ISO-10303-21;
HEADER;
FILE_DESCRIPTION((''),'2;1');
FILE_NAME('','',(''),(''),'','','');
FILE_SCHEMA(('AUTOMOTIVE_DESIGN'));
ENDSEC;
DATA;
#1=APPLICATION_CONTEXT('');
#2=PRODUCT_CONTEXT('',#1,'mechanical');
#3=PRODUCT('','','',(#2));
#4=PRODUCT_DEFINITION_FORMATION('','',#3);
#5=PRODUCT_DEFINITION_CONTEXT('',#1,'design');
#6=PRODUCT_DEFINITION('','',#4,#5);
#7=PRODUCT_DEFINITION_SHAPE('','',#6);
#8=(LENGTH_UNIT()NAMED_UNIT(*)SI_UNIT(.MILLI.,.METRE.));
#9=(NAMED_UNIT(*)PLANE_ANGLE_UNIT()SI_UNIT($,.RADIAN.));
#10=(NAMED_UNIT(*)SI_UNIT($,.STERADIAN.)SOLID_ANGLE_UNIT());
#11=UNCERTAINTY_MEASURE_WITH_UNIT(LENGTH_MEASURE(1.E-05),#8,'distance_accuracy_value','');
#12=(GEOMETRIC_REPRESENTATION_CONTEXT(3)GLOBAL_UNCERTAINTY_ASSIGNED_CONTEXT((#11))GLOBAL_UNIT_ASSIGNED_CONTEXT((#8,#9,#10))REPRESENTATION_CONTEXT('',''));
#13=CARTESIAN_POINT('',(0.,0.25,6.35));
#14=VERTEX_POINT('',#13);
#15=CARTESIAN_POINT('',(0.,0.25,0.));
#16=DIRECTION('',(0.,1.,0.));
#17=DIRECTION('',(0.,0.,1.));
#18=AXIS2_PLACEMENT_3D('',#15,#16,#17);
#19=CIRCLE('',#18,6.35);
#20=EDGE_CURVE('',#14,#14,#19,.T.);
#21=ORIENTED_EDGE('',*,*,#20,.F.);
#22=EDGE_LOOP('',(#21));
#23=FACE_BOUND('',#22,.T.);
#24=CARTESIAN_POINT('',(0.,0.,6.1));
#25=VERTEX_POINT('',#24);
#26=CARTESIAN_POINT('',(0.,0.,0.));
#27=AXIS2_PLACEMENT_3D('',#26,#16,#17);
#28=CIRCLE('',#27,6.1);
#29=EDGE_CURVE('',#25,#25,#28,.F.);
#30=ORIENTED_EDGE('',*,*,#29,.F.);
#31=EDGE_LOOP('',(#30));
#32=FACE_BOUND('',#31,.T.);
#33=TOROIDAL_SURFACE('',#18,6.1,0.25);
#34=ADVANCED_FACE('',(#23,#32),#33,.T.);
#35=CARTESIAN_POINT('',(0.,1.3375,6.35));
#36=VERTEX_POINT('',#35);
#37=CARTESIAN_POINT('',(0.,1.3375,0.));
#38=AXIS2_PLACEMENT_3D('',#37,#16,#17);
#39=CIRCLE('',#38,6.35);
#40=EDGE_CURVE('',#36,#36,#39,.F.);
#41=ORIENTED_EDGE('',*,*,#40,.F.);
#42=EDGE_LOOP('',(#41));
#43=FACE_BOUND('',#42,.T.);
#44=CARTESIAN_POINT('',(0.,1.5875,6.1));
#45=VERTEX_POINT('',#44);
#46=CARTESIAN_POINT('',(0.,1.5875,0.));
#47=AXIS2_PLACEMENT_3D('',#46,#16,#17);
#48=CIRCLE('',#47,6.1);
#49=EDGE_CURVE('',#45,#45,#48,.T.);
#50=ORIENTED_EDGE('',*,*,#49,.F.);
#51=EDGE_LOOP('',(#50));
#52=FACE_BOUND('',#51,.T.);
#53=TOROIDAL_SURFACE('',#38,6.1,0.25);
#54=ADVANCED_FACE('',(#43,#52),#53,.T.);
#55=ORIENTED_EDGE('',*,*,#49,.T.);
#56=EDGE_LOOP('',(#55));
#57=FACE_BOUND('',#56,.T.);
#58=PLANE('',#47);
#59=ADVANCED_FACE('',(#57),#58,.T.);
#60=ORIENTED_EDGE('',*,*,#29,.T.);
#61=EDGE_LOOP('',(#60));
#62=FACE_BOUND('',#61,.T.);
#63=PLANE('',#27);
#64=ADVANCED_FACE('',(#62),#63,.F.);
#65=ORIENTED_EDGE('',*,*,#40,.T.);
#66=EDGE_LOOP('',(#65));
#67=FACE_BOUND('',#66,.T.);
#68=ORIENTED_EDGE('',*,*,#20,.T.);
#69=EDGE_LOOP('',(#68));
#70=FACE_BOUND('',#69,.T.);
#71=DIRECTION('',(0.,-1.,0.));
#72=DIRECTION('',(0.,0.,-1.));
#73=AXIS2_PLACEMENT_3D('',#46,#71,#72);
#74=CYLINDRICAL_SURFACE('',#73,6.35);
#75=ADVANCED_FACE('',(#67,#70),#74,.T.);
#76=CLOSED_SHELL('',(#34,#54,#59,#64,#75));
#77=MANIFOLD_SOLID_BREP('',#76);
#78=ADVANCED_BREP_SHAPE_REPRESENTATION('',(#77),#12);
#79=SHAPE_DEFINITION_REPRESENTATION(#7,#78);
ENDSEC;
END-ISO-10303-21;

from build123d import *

# Parameters (mm, degrees)
SKETCH2_R           = 6.35
BOSS_EXTRUDE1_DEPTH = 1.5875
FILLET1_R           = 0.25


with BuildPart() as part:
    # Sketch2 → Boss-Extrude1 (new body)
    with BuildSketch(Plane(origin=(0, 0, 0), x_dir=(1, 0, 0), z_dir=(0, 1, 0))):
        Circle(SKETCH2_R)
    extrude(amount=BOSS_EXTRUDE1_DEPTH)

    # Fillet1
    fillet1_edges = [part.edges().sort_by_distance(p)[0] for p in [
        (-6.35, 0, 0),
        (-6.35, 1.5875, 0),
    ]]
    fillet(fillet1_edges, radius=FILLET1_R)


solid = part.part
